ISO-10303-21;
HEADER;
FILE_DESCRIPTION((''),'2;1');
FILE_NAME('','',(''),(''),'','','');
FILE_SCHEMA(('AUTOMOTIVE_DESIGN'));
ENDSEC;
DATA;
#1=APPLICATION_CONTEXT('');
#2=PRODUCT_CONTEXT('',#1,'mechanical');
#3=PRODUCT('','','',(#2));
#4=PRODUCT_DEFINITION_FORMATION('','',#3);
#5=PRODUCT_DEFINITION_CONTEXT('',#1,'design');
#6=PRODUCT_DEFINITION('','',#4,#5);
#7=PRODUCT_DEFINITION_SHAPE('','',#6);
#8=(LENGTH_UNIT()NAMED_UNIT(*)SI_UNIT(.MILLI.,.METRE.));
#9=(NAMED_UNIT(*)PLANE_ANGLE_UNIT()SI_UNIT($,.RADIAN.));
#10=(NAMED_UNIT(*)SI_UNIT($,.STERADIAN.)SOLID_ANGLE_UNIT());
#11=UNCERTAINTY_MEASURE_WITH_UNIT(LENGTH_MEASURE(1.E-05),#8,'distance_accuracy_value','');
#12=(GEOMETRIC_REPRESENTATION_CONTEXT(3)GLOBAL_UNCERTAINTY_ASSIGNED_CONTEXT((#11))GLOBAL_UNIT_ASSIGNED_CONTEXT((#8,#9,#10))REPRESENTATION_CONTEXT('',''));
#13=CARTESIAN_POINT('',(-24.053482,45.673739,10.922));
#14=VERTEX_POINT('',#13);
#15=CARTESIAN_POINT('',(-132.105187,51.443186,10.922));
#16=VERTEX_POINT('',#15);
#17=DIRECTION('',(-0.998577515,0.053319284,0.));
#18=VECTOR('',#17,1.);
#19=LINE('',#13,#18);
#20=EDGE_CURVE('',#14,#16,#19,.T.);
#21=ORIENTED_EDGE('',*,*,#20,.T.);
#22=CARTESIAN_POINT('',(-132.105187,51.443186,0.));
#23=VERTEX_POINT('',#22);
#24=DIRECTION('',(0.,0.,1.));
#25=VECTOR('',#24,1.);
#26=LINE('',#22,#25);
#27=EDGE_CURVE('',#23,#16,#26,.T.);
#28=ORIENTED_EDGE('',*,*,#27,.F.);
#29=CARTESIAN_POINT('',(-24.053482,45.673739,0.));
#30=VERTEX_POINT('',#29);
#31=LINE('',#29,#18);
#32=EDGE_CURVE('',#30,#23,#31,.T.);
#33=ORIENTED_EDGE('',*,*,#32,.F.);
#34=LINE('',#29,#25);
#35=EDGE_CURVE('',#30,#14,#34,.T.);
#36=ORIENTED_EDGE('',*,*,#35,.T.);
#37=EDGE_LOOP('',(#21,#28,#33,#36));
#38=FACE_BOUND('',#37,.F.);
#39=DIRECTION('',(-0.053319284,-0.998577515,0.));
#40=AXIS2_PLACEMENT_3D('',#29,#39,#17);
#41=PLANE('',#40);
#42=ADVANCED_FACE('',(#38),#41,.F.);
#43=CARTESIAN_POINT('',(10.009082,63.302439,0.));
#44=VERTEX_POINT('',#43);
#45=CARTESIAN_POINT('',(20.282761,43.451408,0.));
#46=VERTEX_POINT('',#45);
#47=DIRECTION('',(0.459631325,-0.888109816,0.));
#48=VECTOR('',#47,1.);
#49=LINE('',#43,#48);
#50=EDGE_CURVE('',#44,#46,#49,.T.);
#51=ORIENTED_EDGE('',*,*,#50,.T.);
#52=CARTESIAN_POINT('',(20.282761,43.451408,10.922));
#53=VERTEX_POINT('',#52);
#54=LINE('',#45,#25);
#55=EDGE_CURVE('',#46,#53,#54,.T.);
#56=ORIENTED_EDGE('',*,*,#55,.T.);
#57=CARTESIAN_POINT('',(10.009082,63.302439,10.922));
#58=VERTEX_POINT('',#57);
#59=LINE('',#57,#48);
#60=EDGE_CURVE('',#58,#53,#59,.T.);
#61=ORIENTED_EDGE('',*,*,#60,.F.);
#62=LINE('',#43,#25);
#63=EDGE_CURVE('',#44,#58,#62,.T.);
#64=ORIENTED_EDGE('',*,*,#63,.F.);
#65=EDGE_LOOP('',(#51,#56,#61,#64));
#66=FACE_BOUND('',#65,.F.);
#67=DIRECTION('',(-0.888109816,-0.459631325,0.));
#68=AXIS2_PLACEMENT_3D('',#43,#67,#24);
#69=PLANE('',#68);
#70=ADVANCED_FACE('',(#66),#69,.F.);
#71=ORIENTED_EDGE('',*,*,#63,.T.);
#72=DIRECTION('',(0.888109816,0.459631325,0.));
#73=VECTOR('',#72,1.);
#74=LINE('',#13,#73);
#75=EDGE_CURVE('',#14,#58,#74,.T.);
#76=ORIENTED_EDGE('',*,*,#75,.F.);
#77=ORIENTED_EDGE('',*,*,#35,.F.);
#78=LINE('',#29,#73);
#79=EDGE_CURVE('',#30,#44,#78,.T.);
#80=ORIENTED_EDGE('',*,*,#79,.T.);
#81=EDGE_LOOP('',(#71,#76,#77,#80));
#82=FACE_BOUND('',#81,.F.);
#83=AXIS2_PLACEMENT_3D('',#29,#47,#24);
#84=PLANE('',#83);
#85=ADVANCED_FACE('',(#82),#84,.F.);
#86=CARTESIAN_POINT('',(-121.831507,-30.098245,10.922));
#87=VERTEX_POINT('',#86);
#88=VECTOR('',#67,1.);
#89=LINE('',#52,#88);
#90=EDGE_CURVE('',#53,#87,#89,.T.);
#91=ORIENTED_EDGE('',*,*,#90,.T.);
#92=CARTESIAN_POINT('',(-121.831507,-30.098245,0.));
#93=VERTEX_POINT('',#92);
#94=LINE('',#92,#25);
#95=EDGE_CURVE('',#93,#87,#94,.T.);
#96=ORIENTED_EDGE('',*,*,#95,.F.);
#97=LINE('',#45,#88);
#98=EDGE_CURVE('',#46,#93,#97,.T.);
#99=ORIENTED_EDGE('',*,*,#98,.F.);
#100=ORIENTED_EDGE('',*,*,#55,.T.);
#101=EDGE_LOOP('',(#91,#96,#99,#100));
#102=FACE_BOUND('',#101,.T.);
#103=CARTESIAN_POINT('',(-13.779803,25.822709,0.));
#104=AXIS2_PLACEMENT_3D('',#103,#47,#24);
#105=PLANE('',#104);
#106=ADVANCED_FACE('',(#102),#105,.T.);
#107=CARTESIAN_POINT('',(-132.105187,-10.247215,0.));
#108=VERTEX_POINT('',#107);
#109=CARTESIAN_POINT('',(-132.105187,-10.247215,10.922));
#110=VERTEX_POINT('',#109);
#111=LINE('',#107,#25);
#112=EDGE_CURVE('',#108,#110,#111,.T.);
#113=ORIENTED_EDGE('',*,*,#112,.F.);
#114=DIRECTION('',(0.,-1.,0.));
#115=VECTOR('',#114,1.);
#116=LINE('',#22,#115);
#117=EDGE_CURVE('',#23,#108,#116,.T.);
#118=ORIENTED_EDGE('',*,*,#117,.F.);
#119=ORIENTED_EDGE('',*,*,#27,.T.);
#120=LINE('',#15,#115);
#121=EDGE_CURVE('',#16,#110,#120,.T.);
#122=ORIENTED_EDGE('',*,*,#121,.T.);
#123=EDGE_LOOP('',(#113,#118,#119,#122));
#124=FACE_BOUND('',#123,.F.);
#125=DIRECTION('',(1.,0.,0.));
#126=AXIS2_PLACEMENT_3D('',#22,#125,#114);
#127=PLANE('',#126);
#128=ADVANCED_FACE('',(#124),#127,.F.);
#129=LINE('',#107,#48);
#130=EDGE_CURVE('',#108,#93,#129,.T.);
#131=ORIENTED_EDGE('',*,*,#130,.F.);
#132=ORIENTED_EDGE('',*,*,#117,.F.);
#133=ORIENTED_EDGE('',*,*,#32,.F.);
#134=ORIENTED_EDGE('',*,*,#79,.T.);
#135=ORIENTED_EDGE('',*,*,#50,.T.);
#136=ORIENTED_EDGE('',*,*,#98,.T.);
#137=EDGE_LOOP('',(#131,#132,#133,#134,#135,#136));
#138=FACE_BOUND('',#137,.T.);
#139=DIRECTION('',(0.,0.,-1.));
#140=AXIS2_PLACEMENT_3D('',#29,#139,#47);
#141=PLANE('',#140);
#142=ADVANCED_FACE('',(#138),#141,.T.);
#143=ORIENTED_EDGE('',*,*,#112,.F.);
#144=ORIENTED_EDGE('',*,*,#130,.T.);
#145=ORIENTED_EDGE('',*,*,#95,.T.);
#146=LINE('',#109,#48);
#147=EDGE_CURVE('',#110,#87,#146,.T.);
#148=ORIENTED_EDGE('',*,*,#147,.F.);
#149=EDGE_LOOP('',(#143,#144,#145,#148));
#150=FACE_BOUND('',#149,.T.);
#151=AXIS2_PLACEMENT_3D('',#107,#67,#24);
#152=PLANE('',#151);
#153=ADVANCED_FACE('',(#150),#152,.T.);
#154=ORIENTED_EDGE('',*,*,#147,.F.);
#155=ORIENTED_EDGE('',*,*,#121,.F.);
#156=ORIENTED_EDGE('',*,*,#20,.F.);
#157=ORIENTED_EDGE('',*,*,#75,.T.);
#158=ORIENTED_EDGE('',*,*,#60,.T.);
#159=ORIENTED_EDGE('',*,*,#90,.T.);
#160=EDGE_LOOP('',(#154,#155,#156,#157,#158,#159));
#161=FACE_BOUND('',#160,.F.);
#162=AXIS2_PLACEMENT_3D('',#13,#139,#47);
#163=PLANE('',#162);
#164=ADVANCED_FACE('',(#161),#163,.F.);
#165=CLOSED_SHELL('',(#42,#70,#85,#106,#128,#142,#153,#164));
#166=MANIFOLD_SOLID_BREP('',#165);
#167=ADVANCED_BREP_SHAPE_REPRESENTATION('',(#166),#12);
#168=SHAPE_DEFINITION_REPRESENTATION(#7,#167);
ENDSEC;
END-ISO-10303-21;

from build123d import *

# Parameters (mm, degrees)
F1_DEPTH = 10.922
F2_DEPTH = 22.352
F3_DEPTH = 38.354


with BuildPart() as f1:
    # F0 (on Top) → F1 (new body)
    with BuildSketch(Plane.XY):
        Polygon((-132.1051865816, 51.4431856573), (-132.1051865816, -10.2472146973), (-24.0534823388, 45.6737391651), align=None)
    extrude(amount=F1_DEPTH)

    # F2 (add): a face of the model
    f2_faces = [f1.faces().sort_by_distance(p)[0] for p in [
        (-78.0793344602, 17.7132622339, 5.461),
    ]]
    extrude(f2_faces, amount=F2_DEPTH)

    # F3 (add): a face of the model
    f3_faces = [f1.faces().sort_by_distance(p)[0] for p in [
        (-18.9166426466, 35.7482238648, 5.461),
    ]]
    extrude(f3_faces, amount=F3_DEPTH)


solid = f1.part
